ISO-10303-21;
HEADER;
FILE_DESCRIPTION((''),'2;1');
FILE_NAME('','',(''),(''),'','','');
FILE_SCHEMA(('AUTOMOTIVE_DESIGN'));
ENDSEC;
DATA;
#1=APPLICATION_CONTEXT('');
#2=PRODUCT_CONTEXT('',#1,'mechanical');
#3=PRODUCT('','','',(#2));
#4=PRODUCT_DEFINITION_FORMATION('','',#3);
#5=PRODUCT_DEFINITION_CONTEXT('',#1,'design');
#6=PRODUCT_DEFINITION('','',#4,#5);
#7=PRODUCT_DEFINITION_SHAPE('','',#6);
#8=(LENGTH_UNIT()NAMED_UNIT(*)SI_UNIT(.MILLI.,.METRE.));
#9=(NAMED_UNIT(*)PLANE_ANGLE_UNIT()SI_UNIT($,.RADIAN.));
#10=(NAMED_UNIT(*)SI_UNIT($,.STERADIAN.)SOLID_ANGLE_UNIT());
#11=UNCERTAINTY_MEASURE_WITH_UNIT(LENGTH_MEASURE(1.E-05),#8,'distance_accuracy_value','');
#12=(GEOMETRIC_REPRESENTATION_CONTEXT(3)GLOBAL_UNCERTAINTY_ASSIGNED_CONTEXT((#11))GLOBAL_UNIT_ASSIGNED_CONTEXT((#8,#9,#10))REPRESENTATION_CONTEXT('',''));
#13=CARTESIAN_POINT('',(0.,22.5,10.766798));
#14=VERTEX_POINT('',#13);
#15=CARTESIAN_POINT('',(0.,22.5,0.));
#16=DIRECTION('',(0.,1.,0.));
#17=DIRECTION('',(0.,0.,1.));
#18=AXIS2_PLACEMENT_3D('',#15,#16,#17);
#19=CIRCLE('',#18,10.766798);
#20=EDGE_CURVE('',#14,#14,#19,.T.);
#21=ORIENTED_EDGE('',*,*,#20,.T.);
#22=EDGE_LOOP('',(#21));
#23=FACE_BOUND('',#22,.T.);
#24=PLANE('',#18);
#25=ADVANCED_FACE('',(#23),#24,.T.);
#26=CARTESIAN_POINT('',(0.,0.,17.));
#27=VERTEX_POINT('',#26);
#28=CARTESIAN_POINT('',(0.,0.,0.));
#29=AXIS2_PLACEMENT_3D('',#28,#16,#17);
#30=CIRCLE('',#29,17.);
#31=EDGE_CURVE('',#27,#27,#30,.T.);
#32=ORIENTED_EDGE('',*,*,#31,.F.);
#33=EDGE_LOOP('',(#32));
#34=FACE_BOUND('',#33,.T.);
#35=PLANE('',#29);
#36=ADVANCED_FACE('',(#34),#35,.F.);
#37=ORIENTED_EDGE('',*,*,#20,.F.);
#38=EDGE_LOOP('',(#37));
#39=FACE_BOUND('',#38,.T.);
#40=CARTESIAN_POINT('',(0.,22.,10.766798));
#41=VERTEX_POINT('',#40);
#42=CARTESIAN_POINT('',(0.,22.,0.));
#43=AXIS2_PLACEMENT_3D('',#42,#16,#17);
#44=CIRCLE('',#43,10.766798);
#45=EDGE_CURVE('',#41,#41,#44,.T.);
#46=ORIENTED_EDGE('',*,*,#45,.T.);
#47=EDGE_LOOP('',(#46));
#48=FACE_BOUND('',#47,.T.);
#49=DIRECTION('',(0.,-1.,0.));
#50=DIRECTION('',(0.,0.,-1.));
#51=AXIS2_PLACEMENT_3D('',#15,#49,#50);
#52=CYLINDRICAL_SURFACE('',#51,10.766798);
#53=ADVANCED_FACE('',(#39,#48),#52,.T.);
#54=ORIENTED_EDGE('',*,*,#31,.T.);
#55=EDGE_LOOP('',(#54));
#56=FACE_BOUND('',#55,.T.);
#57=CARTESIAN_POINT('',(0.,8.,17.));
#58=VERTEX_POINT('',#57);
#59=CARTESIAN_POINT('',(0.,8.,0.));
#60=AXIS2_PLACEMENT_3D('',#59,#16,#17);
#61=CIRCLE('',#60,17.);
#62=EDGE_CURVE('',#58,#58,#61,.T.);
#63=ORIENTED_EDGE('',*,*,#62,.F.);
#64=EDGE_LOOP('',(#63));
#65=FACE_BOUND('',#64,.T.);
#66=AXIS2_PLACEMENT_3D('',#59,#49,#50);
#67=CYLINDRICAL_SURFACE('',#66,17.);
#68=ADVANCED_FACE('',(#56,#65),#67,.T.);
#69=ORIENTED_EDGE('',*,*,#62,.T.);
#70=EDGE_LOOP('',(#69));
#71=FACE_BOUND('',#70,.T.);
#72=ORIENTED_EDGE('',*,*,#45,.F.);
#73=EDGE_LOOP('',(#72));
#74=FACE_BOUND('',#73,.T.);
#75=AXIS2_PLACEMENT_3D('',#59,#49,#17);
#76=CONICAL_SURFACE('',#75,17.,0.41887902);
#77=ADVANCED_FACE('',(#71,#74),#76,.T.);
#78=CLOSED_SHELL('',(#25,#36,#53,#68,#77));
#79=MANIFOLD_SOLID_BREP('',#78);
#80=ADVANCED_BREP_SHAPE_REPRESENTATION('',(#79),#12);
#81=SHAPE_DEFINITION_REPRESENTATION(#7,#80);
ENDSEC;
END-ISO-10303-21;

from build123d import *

# Parameters (mm, degrees)
SKETCH_1_R      = 17
EXTRUDE_1_DEPTH = 8
SKETCH_2_R      = 17
EXTRUDE_2_DEPTH = 14
EXTRUDE_2_TAPER = 24
SKETCH_4_R      = 10.766798406
EXTRUDE_3_DEPTH = 0.5


with BuildPart() as part:
    # 草图1 → 凸台-拉伸1 (new body)
    with BuildSketch(Plane(origin=(0, 0, 0), x_dir=(1, 0, 0), z_dir=(0, 1, 0))):
        with Locations(Location((0, 0, 0), (0, 0, 270))):
            Circle(SKETCH_1_R)
    extrude(amount=EXTRUDE_1_DEPTH)

    # 草图2 → 凸台-拉伸2 (add)
    with BuildSketch(Plane(origin=(0, 8, 0), x_dir=(1, 0, 0), z_dir=(0, 1, 0))):
        with Locations(Location((0, 0, 0), (0, 0, 270))):
            Circle(SKETCH_2_R)
    extrude(amount=EXTRUDE_2_DEPTH, taper=EXTRUDE_2_TAPER)

    # 草图4 → 凸台-拉伸3 (add)
    with BuildSketch(Plane(origin=(0, 22, 0), x_dir=(1, 0, 0), z_dir=(0, 1, 0))):
        with Locations(Location((0, 0, 0), (0, 0, 270))):
            Circle(SKETCH_4_R)
    extrude(amount=EXTRUDE_3_DEPTH)


solid = part.part
